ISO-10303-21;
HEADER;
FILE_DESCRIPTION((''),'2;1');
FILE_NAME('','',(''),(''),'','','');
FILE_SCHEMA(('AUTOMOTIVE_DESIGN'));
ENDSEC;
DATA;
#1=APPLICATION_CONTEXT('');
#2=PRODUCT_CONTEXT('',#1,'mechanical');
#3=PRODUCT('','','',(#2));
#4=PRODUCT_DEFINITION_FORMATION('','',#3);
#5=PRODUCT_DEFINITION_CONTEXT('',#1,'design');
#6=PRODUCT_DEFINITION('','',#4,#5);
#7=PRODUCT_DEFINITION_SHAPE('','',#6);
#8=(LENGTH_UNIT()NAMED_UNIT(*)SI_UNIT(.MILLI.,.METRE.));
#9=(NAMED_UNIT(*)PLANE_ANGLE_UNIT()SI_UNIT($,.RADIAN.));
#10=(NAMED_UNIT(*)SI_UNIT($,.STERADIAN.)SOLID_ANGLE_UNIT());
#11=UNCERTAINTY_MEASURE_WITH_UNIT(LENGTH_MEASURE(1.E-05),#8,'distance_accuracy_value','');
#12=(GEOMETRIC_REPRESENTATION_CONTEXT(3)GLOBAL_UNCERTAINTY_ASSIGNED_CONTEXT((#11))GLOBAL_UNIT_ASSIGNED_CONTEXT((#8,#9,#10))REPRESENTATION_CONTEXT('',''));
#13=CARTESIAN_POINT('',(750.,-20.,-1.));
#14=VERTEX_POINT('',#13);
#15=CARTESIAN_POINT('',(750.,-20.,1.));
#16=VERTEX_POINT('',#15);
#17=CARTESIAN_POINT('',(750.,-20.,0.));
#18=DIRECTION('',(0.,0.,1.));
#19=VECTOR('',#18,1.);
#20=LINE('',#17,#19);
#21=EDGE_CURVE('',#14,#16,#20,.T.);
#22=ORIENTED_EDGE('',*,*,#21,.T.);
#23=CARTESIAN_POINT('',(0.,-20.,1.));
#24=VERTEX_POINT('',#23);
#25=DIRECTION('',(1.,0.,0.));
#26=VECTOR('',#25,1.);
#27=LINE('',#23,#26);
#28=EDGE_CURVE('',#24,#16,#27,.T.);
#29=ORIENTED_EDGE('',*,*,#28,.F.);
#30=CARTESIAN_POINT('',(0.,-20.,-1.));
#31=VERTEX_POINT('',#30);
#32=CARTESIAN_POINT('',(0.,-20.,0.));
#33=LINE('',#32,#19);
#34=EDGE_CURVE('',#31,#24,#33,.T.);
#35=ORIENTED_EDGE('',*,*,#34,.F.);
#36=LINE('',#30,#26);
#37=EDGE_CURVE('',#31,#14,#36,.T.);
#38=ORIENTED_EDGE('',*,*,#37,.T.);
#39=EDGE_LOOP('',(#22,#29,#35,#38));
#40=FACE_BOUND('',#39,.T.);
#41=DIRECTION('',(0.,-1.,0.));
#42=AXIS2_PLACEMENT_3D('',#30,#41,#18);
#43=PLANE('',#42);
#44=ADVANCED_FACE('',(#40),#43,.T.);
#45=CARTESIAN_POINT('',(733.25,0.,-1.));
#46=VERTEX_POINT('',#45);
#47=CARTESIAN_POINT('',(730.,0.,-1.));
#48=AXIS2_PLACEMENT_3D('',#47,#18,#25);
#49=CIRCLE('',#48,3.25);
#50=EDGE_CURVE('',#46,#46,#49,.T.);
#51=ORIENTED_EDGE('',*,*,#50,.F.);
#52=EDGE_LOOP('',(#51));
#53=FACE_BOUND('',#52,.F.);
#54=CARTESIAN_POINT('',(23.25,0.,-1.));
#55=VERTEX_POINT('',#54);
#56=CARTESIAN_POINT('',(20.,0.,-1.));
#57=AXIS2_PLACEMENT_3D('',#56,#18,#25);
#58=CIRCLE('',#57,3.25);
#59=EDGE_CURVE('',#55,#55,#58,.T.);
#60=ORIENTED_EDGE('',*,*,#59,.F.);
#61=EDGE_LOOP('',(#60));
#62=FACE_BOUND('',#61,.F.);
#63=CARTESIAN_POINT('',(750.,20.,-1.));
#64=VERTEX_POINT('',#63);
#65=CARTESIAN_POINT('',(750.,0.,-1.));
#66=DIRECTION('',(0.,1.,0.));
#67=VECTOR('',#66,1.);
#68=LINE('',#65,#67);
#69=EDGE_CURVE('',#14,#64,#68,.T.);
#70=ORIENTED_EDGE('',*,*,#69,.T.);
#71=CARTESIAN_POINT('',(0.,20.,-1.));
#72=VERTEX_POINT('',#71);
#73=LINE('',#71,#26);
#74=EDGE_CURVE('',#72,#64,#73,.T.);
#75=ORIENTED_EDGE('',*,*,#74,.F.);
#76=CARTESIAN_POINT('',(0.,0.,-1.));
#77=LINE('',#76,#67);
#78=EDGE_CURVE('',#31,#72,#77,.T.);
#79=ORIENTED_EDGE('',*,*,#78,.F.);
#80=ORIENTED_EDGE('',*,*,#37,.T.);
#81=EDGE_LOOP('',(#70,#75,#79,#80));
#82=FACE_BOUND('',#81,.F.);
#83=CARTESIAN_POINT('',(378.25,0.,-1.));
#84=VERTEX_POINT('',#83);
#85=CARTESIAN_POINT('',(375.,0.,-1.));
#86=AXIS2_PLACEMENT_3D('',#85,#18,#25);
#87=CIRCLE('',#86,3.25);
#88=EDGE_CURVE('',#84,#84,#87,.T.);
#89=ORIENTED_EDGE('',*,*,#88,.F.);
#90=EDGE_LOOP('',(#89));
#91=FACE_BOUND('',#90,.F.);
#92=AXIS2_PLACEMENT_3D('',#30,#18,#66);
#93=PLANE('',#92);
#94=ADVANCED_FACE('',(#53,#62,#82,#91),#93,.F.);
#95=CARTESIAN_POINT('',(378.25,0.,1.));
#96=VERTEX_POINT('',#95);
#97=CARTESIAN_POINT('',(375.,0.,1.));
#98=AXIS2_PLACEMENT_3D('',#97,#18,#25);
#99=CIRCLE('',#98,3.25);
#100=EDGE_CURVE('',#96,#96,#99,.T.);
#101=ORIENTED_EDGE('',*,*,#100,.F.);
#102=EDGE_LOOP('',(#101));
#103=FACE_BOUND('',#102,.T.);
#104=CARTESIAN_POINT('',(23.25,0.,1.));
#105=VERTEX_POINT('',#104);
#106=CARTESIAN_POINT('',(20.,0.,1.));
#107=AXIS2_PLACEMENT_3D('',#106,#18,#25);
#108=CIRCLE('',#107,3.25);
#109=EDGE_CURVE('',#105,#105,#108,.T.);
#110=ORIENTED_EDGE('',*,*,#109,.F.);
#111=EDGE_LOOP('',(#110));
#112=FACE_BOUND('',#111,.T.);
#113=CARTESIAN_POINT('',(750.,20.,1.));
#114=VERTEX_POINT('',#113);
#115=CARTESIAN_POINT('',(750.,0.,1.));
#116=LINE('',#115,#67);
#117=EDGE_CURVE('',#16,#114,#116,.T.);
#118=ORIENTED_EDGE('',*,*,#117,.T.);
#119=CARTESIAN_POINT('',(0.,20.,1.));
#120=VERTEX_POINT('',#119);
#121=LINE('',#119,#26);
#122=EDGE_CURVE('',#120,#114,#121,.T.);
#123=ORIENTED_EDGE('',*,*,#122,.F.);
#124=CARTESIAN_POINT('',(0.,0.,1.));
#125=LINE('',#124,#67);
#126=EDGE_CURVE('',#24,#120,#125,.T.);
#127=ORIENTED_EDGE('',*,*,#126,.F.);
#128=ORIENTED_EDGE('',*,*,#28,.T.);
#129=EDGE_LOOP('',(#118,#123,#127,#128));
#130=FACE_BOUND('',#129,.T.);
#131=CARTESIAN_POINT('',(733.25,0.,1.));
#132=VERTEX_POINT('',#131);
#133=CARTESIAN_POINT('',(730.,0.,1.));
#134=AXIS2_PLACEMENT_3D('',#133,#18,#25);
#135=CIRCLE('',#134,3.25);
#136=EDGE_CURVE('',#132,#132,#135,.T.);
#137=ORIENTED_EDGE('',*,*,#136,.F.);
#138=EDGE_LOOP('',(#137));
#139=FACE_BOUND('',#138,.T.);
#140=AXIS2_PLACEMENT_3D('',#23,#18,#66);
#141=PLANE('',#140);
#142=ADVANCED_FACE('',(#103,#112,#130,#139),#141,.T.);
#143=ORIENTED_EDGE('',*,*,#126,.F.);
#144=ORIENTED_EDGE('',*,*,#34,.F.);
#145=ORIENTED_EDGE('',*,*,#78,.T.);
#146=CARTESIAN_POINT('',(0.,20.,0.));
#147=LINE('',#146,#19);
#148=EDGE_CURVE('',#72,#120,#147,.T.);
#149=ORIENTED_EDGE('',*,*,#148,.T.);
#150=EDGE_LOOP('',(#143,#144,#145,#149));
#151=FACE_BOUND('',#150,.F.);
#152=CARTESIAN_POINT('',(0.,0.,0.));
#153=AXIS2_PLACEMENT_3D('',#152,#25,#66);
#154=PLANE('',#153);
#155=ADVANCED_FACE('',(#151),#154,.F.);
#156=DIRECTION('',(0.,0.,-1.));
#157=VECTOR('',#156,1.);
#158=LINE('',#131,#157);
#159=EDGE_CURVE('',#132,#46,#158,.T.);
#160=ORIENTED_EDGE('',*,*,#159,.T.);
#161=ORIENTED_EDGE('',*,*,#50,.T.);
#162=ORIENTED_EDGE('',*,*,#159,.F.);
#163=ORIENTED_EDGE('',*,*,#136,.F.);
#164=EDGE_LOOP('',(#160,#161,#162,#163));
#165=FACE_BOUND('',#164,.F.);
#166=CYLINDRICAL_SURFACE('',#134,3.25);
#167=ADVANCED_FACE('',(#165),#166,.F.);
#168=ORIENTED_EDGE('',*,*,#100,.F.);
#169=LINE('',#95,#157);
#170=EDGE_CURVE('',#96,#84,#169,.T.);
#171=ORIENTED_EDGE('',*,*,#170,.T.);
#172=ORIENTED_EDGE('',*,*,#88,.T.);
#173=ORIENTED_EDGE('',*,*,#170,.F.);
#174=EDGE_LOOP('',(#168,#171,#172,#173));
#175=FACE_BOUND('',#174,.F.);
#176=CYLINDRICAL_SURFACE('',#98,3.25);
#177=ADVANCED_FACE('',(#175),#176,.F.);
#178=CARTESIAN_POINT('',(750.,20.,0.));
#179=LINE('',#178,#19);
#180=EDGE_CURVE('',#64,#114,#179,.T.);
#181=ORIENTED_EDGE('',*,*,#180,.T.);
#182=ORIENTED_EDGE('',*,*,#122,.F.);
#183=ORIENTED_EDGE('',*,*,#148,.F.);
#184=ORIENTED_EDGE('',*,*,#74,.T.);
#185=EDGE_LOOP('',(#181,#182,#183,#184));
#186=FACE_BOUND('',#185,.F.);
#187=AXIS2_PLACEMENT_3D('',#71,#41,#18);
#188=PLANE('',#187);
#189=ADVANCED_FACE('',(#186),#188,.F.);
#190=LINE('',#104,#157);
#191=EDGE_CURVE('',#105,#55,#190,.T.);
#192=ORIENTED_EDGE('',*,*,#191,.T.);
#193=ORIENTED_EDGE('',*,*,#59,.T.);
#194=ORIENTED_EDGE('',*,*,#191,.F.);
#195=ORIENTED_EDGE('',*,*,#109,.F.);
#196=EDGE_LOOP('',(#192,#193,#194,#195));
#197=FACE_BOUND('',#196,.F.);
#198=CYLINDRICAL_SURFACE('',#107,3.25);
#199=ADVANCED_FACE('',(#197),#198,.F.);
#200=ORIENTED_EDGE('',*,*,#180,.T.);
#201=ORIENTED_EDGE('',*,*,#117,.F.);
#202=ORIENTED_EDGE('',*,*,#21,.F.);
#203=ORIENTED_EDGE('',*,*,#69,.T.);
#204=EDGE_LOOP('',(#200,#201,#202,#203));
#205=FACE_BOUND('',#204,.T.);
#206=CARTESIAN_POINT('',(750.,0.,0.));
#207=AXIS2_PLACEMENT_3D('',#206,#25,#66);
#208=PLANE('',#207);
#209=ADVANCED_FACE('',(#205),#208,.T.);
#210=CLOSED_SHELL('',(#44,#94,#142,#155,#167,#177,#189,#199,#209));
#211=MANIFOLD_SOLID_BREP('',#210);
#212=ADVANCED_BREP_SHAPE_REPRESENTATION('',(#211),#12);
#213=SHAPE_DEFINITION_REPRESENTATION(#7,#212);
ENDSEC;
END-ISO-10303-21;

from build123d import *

# Parameters (mm, degrees)
F0_W     = 40
F0_H     = 2
F1_DEPTH = 750
F2_R     = 3.25
F3_DEPTH = 25


with BuildPart() as f1:
    # F0 (on Right) → F1 (new body)
    with BuildSketch(Plane.YZ):
        Rectangle(F0_W, F0_H)
    extrude(amount=F1_DEPTH)

    # F2 (on face) → F3 (cut)
    with BuildSketch(Plane.XY.offset(1)):
        with Locations((730, 0)):
            Circle(F2_R)
        with Locations((20, 0)):
            Circle(F2_R)
        with Locations((375, 0)):
            Circle(F2_R)
    extrude(amount=-F3_DEPTH, mode=Mode.SUBTRACT)


solid = f1.part
